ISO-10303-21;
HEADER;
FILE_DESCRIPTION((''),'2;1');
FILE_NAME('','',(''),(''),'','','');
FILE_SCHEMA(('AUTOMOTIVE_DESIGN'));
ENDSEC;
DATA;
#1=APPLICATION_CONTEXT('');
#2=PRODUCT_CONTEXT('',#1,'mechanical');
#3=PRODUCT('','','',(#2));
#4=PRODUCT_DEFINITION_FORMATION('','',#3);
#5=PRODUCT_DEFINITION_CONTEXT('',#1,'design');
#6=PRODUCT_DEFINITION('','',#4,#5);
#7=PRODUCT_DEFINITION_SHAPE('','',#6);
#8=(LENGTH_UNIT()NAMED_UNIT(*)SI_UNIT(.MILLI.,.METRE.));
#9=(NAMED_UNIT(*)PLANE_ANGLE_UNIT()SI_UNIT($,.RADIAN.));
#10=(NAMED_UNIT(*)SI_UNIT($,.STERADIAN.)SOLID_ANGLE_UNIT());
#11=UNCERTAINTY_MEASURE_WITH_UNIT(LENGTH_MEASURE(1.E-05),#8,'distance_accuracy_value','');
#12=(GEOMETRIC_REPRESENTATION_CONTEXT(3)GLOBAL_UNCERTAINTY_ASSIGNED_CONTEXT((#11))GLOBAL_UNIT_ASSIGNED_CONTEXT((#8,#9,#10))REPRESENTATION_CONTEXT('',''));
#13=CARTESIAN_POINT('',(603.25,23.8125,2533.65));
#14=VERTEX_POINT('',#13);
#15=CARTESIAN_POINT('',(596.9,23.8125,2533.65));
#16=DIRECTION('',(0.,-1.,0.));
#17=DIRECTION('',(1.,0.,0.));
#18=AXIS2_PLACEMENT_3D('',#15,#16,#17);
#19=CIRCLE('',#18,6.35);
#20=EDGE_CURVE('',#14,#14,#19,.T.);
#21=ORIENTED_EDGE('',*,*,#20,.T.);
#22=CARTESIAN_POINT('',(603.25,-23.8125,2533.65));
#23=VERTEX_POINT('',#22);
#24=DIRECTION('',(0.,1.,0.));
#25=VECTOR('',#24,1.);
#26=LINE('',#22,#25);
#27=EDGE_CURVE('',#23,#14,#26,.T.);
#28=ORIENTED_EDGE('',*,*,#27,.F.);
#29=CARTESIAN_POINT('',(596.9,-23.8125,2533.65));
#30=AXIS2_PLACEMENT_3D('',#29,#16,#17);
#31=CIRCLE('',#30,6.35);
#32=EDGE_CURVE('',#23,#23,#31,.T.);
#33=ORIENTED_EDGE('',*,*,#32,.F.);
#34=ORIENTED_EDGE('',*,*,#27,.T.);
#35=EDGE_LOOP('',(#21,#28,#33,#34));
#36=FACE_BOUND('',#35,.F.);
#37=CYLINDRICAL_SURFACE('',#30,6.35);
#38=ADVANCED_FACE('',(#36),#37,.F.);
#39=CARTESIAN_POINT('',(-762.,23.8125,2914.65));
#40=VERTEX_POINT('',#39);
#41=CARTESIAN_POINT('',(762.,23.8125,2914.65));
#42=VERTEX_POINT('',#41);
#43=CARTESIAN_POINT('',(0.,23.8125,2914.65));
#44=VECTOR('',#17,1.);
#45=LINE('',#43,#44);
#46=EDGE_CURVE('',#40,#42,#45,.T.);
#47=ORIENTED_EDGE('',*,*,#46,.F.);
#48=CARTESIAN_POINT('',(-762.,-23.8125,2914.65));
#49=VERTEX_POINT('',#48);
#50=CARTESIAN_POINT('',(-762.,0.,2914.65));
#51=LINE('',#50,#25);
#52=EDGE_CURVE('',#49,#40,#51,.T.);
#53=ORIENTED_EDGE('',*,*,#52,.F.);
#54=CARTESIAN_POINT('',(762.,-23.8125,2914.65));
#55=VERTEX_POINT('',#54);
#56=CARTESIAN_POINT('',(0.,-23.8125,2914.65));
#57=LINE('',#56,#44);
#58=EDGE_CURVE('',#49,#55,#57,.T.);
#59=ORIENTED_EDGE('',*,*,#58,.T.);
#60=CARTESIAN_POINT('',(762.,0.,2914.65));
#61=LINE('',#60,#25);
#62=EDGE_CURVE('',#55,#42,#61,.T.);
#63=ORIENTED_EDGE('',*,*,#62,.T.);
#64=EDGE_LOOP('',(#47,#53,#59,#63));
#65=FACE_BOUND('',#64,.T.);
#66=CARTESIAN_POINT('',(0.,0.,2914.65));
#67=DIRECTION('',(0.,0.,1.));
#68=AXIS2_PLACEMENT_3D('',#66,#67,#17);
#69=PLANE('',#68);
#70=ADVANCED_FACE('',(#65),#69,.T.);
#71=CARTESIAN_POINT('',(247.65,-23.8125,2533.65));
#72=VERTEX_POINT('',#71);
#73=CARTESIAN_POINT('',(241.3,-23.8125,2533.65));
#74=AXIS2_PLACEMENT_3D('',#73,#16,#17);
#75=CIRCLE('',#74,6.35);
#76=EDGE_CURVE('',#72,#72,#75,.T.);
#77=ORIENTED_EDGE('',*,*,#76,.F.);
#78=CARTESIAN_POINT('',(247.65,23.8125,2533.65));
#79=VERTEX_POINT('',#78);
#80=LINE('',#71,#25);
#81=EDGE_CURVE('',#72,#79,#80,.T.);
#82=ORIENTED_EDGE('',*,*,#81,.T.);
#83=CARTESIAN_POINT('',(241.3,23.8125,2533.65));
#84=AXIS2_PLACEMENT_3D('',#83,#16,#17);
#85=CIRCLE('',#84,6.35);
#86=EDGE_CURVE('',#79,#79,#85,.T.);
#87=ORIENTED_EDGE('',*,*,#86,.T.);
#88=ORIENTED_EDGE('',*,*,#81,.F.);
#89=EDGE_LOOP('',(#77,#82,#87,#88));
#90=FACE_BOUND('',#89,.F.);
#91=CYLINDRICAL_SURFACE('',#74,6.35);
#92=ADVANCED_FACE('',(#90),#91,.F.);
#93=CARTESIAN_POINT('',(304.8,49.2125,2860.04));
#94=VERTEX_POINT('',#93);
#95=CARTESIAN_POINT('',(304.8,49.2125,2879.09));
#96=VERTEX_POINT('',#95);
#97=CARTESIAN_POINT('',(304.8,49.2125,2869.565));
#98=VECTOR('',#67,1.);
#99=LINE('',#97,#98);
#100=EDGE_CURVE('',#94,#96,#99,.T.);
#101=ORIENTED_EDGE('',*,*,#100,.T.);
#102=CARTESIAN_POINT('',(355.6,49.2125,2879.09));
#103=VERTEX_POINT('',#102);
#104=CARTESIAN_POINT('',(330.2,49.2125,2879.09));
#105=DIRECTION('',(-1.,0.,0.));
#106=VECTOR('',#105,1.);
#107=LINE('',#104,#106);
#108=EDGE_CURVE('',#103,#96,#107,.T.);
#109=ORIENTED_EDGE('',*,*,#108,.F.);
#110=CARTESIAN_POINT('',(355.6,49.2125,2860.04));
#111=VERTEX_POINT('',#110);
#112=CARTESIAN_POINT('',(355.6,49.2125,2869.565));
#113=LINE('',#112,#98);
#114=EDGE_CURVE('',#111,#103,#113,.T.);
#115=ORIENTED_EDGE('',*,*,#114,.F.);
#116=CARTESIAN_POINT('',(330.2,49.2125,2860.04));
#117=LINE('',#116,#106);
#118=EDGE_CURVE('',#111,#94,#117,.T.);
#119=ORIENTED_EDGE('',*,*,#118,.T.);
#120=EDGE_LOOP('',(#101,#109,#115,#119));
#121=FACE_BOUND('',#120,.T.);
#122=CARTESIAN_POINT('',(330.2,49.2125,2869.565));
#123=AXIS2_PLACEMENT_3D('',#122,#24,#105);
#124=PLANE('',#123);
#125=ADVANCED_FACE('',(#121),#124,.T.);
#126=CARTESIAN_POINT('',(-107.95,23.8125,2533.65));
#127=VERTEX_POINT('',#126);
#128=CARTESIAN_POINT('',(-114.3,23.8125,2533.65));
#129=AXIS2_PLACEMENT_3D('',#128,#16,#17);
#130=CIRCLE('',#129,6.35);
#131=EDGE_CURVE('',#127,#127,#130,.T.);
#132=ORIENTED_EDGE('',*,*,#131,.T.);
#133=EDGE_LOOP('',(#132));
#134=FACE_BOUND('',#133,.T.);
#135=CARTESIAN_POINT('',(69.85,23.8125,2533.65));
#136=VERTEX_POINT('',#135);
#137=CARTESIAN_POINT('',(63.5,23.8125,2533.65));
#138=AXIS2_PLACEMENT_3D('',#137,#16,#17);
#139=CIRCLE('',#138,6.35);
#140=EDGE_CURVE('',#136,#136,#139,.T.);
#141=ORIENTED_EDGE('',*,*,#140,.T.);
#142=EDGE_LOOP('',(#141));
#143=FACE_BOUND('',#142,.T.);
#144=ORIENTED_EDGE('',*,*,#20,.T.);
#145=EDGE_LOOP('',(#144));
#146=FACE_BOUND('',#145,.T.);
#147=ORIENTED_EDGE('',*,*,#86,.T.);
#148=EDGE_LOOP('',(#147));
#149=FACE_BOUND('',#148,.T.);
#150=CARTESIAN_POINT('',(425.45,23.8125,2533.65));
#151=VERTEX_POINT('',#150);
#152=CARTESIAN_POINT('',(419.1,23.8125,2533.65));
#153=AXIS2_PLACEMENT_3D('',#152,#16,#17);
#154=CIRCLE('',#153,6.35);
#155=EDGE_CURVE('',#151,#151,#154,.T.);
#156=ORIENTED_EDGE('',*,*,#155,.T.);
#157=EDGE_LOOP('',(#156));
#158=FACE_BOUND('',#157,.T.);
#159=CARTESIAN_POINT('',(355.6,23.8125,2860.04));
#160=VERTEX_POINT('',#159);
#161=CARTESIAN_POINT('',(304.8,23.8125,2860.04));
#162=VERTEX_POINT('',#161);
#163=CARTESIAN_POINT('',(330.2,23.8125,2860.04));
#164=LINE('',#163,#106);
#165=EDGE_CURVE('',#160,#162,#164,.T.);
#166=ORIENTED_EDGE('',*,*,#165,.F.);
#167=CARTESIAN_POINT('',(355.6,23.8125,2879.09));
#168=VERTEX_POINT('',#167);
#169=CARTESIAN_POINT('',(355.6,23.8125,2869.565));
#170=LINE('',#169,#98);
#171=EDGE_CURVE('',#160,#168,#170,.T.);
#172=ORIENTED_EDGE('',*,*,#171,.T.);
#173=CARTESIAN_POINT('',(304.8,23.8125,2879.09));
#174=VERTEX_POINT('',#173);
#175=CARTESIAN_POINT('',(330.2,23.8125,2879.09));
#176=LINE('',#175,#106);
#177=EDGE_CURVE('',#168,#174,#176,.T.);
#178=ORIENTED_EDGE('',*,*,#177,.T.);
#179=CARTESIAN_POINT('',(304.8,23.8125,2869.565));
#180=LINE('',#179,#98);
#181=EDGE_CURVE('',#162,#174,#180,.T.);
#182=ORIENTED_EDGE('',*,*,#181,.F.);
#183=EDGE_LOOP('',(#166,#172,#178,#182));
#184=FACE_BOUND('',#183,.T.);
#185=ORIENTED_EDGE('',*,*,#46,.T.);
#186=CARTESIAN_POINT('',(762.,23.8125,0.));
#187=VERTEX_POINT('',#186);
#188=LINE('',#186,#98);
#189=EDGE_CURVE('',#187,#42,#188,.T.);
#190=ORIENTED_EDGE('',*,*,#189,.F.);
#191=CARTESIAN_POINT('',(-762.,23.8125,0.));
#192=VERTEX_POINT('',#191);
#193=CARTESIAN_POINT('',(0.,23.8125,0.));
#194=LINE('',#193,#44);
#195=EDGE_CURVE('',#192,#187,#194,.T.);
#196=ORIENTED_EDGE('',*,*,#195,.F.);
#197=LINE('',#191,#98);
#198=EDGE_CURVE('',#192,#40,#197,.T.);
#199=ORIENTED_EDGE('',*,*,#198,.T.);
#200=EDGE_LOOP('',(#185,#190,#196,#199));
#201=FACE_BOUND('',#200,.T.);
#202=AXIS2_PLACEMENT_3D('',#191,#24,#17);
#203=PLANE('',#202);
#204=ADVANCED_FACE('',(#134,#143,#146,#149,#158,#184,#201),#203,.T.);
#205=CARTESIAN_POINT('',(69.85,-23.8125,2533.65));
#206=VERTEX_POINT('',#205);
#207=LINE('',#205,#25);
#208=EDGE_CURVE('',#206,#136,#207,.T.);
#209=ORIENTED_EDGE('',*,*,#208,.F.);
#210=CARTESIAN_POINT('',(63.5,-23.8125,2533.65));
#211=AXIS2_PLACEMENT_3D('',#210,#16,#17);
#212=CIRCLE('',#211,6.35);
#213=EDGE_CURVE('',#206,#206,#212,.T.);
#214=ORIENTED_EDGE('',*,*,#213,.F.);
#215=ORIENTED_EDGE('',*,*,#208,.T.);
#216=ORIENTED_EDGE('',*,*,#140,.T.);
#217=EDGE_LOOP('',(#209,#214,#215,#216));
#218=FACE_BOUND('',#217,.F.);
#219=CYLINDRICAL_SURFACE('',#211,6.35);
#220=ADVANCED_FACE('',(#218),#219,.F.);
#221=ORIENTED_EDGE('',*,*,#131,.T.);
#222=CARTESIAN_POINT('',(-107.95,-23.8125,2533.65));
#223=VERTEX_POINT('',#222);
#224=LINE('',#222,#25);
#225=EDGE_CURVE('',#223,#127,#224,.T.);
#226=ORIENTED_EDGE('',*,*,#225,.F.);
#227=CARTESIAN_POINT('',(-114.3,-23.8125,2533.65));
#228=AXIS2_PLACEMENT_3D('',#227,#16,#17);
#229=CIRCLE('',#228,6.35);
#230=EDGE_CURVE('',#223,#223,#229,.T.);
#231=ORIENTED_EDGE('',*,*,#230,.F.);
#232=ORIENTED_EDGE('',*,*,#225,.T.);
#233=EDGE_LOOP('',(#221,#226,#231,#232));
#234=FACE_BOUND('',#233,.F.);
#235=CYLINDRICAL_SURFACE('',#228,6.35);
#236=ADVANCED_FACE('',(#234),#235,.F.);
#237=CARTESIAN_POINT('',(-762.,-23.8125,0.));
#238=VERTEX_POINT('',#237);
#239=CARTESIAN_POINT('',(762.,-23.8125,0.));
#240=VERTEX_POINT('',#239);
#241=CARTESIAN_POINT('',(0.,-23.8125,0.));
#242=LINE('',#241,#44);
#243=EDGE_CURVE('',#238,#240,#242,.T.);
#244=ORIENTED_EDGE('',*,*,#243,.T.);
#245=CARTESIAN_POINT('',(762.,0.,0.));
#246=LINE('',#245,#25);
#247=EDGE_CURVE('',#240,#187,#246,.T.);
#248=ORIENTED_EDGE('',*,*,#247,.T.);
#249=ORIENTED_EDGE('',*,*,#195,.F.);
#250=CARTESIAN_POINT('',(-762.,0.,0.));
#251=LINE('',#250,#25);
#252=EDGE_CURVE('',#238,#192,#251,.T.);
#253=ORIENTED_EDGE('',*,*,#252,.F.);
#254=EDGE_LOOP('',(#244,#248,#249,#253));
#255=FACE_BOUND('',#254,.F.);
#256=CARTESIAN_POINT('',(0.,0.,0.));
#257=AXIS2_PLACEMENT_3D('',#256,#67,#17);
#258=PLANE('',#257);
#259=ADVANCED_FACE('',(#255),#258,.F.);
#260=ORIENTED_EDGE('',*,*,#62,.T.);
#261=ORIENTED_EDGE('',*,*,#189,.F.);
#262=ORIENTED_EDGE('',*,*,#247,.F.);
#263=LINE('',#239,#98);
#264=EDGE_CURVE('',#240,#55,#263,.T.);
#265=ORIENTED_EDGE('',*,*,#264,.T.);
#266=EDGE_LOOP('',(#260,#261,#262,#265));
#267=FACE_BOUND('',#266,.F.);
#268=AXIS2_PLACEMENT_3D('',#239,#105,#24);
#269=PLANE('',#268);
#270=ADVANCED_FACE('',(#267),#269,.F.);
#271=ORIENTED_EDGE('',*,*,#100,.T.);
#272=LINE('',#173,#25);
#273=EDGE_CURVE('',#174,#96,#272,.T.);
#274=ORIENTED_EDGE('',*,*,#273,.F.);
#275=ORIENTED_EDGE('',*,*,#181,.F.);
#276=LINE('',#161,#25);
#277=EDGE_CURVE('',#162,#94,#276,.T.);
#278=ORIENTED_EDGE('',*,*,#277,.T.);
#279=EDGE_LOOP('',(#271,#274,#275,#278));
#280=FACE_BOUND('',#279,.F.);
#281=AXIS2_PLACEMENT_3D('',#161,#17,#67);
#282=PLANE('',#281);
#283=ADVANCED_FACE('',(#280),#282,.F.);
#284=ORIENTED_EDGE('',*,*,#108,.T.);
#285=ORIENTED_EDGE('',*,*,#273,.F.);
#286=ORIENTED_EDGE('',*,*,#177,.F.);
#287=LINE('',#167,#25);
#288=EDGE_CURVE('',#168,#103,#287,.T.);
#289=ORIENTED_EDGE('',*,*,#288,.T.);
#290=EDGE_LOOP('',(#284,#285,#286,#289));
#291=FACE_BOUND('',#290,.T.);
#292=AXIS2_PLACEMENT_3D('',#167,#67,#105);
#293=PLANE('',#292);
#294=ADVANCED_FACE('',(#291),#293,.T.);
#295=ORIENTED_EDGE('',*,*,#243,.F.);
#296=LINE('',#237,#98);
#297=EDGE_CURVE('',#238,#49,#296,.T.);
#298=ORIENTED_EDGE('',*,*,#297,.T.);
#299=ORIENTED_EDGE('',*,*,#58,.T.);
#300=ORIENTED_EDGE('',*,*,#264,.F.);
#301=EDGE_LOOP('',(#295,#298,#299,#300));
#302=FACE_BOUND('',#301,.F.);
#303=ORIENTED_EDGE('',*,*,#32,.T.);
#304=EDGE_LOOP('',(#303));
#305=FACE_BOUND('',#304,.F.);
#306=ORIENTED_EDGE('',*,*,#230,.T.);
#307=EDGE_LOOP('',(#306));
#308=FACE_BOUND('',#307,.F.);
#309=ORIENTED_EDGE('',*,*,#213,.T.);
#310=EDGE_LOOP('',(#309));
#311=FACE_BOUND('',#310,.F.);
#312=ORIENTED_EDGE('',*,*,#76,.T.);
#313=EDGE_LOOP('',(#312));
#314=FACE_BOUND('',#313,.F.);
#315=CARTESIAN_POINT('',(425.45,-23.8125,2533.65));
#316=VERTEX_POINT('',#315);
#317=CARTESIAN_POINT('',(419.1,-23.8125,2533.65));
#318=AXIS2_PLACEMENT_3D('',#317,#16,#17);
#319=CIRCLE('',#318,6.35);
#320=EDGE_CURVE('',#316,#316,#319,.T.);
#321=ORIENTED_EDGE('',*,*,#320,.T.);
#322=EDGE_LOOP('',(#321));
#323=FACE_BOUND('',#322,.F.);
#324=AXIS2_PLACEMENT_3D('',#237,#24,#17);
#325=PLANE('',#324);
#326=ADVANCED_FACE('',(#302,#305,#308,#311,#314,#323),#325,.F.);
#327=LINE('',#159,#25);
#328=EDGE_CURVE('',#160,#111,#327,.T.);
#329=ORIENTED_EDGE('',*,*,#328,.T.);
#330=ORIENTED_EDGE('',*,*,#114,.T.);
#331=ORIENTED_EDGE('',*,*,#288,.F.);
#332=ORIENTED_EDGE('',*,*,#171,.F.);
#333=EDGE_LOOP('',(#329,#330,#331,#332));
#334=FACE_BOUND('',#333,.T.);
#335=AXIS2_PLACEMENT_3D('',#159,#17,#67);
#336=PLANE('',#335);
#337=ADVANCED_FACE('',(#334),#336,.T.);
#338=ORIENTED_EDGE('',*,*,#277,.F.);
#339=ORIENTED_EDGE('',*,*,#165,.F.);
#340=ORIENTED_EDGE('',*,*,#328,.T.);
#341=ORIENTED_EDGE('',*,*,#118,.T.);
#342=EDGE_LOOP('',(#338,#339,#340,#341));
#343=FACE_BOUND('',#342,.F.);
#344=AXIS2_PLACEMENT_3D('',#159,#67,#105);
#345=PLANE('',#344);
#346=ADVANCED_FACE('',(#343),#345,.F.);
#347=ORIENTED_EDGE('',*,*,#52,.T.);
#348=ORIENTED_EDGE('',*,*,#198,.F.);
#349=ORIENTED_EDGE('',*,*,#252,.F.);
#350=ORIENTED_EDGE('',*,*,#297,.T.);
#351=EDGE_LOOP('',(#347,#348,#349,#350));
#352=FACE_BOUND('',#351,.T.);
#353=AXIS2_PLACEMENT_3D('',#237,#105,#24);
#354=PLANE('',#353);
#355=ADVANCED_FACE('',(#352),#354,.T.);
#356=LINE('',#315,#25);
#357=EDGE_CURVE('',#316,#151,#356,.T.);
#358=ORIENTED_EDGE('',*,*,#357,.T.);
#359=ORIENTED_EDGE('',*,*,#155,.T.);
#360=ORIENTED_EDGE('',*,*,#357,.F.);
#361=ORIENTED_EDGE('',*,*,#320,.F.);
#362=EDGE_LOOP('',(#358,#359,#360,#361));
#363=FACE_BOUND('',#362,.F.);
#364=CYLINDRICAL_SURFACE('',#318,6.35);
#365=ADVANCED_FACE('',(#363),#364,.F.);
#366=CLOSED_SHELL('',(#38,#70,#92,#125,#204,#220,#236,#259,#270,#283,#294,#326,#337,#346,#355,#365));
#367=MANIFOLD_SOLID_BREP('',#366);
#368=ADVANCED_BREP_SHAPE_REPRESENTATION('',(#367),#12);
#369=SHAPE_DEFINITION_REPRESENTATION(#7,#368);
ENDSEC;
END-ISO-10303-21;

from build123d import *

# Parameters (mm, degrees)
F0_W     = 1524
F0_H     = 47.625
F1_DEPTH = 2914.65
F2_R     = 6.35
F3_DEPTH = 47.626
F4_W     = 50.8
F4_H     = 19.05
F5_DEPTH = 25.4


with BuildPart() as f1:
    # F0 (on Top) → F1 (new body)
    with BuildSketch(Plane.XY):
        Rectangle(F0_W, F0_H)
    extrude(amount=F1_DEPTH)

    # F2 (on face) → F3 (cut, through all)
    with BuildSketch(Plane.XZ.offset(23.8125)):
        with Locations((-114.3, 2533.65)):
            Circle(F2_R)
        with Locations((63.5, 2533.65)):
            Circle(F2_R)
        with Locations((241.3, 2533.65)):
            Circle(F2_R)
        with Locations((419.1, 2533.65)):
            Circle(F2_R)
        with Locations((596.9, 2533.65)):
            Circle(F2_R)
    extrude(amount=-F3_DEPTH, mode=Mode.SUBTRACT)

    # F4 (on face) → F5 (join)
    with BuildSketch(Plane(origin=(0, 23.8125, 0), x_dir=(-1, 0, 0), z_dir=(0, 1, 0))):
        with Locations((-330.2, 2869.565)):
            Rectangle(F4_W, F4_H)
    extrude(amount=F5_DEPTH)


solid = f1.part
